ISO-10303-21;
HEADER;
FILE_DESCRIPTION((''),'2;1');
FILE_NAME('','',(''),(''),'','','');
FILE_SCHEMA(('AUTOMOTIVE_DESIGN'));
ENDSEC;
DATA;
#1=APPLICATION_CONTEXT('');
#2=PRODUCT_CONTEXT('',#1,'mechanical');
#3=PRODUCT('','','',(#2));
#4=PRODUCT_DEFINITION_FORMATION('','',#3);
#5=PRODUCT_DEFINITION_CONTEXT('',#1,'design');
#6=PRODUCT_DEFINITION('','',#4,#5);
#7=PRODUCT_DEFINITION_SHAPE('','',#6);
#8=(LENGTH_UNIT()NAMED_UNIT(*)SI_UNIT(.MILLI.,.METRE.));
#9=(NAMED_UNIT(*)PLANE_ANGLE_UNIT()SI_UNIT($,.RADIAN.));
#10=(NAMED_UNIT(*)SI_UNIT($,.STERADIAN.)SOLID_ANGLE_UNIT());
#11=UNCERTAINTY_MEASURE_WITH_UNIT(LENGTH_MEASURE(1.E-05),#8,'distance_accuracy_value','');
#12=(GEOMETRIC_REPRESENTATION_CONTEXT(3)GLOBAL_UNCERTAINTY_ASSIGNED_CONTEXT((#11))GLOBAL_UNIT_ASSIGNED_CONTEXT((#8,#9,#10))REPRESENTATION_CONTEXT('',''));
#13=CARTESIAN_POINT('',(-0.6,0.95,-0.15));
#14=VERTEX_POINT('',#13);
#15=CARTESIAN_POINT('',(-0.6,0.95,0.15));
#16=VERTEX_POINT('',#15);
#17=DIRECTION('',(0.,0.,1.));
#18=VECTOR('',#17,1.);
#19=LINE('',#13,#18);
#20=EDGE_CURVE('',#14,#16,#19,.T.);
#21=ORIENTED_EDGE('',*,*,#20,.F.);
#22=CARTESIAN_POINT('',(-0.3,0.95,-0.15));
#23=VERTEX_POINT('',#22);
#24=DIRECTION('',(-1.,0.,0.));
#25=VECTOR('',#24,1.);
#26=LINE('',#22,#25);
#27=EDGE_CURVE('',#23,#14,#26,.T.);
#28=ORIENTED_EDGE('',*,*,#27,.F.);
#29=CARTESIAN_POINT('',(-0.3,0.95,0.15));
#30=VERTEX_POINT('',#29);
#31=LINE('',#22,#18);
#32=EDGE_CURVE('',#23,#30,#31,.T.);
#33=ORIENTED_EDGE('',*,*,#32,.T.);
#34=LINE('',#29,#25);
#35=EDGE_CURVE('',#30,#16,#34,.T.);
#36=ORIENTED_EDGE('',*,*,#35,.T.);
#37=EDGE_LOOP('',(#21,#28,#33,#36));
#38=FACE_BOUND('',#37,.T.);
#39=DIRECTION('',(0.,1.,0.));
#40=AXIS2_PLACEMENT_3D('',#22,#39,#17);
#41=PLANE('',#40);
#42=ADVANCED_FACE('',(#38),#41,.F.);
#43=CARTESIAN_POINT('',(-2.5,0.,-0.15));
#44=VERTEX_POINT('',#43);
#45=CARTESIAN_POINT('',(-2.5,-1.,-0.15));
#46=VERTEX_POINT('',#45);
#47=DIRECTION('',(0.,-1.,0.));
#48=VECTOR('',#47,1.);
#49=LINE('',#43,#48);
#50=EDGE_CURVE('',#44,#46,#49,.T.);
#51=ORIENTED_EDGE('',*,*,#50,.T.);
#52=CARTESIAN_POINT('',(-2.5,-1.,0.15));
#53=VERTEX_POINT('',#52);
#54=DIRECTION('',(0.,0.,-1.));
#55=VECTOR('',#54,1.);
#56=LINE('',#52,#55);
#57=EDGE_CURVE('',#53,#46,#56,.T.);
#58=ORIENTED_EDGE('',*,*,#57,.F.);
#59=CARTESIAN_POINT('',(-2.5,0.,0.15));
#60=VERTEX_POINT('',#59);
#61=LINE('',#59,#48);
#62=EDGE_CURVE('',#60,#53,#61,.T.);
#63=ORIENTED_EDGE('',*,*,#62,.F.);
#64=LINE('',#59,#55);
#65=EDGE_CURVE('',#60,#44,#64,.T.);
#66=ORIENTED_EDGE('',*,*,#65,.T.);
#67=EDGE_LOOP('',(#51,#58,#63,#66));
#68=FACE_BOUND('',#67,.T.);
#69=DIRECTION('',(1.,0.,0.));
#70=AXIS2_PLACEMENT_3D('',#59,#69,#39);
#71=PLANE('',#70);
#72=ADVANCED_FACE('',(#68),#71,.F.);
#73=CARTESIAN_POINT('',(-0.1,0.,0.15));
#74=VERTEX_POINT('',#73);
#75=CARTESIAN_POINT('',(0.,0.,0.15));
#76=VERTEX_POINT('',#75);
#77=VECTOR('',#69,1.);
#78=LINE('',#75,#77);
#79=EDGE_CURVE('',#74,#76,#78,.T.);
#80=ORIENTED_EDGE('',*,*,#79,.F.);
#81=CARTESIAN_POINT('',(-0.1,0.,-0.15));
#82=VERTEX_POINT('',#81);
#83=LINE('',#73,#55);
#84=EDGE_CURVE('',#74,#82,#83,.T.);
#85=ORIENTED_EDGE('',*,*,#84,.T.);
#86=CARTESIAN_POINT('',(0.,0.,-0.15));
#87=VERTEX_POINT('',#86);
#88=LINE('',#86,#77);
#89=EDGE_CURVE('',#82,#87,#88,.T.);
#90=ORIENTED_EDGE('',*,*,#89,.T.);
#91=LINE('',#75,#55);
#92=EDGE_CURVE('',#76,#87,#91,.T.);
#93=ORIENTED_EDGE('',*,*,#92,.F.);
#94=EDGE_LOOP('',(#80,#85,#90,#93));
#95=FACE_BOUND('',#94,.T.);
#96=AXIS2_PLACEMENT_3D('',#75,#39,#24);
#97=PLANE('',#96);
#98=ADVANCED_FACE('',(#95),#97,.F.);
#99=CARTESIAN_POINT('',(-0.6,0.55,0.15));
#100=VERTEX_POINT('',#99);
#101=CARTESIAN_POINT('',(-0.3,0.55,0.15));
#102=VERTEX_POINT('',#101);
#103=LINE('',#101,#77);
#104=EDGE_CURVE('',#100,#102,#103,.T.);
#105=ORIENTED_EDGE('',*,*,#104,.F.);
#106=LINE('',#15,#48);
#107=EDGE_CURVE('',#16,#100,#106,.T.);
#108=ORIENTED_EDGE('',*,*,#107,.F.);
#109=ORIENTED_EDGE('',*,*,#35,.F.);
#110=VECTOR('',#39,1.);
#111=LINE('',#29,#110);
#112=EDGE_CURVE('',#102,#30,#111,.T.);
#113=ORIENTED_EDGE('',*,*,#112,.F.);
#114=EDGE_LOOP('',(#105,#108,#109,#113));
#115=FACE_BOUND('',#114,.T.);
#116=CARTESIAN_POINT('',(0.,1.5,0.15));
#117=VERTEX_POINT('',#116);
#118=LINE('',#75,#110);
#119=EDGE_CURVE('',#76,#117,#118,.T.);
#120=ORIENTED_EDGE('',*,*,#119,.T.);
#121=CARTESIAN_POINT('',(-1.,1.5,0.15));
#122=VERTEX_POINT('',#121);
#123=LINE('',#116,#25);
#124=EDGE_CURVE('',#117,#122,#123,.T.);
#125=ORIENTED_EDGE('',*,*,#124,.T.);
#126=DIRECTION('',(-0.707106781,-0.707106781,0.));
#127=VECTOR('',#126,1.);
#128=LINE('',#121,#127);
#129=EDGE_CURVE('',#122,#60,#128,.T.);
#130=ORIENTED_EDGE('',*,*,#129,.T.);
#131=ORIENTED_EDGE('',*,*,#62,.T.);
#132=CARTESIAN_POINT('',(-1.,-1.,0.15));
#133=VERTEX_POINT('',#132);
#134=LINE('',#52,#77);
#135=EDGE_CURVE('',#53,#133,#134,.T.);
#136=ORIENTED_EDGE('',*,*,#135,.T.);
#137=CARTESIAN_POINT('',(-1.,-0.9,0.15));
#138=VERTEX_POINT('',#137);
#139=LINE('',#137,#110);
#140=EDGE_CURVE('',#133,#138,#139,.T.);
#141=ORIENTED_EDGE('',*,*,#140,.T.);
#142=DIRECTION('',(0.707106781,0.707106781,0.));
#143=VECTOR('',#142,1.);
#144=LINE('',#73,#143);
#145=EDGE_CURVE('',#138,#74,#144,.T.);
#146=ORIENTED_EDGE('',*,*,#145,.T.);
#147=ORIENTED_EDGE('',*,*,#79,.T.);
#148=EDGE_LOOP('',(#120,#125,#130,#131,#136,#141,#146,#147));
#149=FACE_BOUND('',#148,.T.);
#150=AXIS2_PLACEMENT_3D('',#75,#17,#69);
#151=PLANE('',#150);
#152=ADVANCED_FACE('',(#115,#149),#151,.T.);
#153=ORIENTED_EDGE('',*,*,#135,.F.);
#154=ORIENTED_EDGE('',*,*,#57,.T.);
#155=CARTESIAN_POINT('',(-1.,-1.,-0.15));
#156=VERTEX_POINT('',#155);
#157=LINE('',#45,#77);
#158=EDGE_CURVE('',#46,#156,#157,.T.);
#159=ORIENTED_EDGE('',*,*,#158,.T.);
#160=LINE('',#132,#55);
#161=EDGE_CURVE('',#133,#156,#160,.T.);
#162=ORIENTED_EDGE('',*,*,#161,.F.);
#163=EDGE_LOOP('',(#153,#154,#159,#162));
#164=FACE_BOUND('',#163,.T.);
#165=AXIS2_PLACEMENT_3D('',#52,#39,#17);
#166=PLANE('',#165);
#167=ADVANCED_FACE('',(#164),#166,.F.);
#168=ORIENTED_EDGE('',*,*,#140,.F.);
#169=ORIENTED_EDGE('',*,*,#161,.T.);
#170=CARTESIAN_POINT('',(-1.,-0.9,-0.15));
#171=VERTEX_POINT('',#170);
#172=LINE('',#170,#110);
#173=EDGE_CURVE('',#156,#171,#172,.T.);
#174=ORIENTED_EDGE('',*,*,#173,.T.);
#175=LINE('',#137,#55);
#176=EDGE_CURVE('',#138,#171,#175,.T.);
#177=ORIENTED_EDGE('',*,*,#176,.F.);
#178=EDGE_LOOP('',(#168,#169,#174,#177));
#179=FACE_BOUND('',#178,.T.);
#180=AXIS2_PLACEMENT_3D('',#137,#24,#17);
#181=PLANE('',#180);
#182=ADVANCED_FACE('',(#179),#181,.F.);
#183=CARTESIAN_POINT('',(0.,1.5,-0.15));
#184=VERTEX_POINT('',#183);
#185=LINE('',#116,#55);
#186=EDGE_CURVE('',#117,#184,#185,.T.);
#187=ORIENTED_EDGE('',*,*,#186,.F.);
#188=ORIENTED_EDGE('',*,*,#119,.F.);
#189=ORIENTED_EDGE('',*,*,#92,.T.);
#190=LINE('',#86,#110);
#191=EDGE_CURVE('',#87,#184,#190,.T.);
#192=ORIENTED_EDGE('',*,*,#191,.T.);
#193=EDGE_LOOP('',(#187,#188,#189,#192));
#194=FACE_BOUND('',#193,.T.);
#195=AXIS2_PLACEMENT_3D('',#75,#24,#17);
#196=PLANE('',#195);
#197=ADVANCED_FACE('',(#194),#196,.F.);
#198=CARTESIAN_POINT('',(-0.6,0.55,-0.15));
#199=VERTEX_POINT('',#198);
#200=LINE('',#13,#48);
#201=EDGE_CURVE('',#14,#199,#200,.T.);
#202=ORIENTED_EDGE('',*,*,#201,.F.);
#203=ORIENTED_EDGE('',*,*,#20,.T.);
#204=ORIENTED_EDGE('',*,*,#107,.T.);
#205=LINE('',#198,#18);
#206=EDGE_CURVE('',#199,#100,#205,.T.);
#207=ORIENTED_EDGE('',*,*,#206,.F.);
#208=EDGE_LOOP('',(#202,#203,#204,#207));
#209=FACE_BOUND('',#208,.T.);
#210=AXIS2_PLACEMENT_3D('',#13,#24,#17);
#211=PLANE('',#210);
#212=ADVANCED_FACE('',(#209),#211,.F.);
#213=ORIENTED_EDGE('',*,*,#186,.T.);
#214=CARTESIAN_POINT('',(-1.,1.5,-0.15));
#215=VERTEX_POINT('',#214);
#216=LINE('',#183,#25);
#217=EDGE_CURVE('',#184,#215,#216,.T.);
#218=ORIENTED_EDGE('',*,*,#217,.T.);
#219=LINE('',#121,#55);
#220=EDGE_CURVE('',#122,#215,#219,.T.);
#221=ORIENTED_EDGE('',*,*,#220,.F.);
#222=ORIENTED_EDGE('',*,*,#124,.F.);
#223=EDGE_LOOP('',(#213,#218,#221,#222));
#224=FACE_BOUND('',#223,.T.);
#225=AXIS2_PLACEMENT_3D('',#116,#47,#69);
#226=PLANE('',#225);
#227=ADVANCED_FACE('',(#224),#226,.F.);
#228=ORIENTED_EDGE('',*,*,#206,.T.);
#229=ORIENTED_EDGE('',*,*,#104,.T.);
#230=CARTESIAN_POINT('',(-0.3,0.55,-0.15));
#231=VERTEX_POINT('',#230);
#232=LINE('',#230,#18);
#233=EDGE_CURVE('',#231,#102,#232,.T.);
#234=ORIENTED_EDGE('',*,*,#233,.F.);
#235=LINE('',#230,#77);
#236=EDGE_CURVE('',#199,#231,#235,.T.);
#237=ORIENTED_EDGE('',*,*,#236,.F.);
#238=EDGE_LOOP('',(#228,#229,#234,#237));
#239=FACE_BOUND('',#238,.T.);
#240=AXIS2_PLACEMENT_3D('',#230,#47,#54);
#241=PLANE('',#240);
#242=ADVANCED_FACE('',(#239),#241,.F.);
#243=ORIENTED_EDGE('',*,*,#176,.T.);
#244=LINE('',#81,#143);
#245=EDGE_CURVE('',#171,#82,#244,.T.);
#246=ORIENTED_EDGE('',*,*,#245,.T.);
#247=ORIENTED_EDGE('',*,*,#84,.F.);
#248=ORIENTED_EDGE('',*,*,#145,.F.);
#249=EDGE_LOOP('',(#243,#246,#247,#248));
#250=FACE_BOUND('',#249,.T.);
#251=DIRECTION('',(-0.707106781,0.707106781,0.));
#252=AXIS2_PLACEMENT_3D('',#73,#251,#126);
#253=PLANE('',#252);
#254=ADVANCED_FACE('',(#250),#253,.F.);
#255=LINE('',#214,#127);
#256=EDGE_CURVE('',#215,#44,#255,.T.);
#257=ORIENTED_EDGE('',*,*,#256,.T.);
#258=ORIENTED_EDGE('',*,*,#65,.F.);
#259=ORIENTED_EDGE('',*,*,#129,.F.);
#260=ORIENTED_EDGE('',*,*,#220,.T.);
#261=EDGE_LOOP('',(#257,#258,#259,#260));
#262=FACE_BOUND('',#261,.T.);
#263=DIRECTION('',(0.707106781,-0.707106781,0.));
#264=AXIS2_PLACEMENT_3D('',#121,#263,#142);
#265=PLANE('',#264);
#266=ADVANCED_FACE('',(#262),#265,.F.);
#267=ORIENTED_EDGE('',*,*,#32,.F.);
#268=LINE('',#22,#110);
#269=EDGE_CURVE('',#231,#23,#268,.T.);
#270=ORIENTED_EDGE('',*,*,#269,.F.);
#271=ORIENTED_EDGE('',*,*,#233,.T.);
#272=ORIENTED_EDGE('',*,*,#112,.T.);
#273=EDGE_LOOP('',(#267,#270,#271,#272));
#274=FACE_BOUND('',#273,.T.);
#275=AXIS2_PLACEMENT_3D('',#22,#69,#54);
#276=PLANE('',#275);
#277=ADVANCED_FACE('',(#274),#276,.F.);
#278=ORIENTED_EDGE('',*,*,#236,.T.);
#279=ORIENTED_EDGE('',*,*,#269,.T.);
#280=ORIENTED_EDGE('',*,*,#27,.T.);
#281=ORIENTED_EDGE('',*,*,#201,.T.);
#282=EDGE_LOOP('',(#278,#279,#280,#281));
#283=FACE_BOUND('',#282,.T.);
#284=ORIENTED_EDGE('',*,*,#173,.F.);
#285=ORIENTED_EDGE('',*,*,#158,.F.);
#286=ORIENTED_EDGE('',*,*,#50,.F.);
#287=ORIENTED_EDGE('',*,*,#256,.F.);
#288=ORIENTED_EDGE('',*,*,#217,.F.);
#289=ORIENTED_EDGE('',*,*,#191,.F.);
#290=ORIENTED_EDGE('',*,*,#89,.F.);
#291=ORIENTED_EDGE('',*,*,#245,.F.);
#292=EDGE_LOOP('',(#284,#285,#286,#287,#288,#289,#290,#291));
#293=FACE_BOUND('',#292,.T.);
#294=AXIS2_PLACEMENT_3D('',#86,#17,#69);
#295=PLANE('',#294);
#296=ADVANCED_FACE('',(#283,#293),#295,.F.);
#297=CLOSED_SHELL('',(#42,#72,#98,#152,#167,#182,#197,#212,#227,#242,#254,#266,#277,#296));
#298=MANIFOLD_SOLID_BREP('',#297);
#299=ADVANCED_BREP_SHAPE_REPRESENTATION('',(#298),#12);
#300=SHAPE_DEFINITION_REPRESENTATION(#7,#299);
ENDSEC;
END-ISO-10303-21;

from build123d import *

# Parameters (mm, degrees)
BOSS_EXTRUDE1_DEPTH = 0.15
SKETCH2_W           = 0.3
SKETCH2_H           = 0.4
CUT_EXTRUDE1_DEPTH  = 3.930870178


with BuildPart() as part:
    # Sketch1 → Boss-Extrude1 (new, symmetric)
    with BuildSketch(Plane.XY):
        Polygon((0, 0), (0, 1.5), (-1, 1.5), (-2.5, 0), (-2.5, -1), (-1, -1), (-1, -0.9), (-0.1, 0), align=None)
    extrude(amount=BOSS_EXTRUDE1_DEPTH, both=True)

    # Sketch2 → Cut-Extrude1 (cut, through all)
    with BuildSketch(Plane.XY.offset(0.15)):
        with Locations((-0.45, 0.75)):
            Rectangle(SKETCH2_W, SKETCH2_H)
    extrude(amount=-CUT_EXTRUDE1_DEPTH, mode=Mode.SUBTRACT)


solid = part.part
